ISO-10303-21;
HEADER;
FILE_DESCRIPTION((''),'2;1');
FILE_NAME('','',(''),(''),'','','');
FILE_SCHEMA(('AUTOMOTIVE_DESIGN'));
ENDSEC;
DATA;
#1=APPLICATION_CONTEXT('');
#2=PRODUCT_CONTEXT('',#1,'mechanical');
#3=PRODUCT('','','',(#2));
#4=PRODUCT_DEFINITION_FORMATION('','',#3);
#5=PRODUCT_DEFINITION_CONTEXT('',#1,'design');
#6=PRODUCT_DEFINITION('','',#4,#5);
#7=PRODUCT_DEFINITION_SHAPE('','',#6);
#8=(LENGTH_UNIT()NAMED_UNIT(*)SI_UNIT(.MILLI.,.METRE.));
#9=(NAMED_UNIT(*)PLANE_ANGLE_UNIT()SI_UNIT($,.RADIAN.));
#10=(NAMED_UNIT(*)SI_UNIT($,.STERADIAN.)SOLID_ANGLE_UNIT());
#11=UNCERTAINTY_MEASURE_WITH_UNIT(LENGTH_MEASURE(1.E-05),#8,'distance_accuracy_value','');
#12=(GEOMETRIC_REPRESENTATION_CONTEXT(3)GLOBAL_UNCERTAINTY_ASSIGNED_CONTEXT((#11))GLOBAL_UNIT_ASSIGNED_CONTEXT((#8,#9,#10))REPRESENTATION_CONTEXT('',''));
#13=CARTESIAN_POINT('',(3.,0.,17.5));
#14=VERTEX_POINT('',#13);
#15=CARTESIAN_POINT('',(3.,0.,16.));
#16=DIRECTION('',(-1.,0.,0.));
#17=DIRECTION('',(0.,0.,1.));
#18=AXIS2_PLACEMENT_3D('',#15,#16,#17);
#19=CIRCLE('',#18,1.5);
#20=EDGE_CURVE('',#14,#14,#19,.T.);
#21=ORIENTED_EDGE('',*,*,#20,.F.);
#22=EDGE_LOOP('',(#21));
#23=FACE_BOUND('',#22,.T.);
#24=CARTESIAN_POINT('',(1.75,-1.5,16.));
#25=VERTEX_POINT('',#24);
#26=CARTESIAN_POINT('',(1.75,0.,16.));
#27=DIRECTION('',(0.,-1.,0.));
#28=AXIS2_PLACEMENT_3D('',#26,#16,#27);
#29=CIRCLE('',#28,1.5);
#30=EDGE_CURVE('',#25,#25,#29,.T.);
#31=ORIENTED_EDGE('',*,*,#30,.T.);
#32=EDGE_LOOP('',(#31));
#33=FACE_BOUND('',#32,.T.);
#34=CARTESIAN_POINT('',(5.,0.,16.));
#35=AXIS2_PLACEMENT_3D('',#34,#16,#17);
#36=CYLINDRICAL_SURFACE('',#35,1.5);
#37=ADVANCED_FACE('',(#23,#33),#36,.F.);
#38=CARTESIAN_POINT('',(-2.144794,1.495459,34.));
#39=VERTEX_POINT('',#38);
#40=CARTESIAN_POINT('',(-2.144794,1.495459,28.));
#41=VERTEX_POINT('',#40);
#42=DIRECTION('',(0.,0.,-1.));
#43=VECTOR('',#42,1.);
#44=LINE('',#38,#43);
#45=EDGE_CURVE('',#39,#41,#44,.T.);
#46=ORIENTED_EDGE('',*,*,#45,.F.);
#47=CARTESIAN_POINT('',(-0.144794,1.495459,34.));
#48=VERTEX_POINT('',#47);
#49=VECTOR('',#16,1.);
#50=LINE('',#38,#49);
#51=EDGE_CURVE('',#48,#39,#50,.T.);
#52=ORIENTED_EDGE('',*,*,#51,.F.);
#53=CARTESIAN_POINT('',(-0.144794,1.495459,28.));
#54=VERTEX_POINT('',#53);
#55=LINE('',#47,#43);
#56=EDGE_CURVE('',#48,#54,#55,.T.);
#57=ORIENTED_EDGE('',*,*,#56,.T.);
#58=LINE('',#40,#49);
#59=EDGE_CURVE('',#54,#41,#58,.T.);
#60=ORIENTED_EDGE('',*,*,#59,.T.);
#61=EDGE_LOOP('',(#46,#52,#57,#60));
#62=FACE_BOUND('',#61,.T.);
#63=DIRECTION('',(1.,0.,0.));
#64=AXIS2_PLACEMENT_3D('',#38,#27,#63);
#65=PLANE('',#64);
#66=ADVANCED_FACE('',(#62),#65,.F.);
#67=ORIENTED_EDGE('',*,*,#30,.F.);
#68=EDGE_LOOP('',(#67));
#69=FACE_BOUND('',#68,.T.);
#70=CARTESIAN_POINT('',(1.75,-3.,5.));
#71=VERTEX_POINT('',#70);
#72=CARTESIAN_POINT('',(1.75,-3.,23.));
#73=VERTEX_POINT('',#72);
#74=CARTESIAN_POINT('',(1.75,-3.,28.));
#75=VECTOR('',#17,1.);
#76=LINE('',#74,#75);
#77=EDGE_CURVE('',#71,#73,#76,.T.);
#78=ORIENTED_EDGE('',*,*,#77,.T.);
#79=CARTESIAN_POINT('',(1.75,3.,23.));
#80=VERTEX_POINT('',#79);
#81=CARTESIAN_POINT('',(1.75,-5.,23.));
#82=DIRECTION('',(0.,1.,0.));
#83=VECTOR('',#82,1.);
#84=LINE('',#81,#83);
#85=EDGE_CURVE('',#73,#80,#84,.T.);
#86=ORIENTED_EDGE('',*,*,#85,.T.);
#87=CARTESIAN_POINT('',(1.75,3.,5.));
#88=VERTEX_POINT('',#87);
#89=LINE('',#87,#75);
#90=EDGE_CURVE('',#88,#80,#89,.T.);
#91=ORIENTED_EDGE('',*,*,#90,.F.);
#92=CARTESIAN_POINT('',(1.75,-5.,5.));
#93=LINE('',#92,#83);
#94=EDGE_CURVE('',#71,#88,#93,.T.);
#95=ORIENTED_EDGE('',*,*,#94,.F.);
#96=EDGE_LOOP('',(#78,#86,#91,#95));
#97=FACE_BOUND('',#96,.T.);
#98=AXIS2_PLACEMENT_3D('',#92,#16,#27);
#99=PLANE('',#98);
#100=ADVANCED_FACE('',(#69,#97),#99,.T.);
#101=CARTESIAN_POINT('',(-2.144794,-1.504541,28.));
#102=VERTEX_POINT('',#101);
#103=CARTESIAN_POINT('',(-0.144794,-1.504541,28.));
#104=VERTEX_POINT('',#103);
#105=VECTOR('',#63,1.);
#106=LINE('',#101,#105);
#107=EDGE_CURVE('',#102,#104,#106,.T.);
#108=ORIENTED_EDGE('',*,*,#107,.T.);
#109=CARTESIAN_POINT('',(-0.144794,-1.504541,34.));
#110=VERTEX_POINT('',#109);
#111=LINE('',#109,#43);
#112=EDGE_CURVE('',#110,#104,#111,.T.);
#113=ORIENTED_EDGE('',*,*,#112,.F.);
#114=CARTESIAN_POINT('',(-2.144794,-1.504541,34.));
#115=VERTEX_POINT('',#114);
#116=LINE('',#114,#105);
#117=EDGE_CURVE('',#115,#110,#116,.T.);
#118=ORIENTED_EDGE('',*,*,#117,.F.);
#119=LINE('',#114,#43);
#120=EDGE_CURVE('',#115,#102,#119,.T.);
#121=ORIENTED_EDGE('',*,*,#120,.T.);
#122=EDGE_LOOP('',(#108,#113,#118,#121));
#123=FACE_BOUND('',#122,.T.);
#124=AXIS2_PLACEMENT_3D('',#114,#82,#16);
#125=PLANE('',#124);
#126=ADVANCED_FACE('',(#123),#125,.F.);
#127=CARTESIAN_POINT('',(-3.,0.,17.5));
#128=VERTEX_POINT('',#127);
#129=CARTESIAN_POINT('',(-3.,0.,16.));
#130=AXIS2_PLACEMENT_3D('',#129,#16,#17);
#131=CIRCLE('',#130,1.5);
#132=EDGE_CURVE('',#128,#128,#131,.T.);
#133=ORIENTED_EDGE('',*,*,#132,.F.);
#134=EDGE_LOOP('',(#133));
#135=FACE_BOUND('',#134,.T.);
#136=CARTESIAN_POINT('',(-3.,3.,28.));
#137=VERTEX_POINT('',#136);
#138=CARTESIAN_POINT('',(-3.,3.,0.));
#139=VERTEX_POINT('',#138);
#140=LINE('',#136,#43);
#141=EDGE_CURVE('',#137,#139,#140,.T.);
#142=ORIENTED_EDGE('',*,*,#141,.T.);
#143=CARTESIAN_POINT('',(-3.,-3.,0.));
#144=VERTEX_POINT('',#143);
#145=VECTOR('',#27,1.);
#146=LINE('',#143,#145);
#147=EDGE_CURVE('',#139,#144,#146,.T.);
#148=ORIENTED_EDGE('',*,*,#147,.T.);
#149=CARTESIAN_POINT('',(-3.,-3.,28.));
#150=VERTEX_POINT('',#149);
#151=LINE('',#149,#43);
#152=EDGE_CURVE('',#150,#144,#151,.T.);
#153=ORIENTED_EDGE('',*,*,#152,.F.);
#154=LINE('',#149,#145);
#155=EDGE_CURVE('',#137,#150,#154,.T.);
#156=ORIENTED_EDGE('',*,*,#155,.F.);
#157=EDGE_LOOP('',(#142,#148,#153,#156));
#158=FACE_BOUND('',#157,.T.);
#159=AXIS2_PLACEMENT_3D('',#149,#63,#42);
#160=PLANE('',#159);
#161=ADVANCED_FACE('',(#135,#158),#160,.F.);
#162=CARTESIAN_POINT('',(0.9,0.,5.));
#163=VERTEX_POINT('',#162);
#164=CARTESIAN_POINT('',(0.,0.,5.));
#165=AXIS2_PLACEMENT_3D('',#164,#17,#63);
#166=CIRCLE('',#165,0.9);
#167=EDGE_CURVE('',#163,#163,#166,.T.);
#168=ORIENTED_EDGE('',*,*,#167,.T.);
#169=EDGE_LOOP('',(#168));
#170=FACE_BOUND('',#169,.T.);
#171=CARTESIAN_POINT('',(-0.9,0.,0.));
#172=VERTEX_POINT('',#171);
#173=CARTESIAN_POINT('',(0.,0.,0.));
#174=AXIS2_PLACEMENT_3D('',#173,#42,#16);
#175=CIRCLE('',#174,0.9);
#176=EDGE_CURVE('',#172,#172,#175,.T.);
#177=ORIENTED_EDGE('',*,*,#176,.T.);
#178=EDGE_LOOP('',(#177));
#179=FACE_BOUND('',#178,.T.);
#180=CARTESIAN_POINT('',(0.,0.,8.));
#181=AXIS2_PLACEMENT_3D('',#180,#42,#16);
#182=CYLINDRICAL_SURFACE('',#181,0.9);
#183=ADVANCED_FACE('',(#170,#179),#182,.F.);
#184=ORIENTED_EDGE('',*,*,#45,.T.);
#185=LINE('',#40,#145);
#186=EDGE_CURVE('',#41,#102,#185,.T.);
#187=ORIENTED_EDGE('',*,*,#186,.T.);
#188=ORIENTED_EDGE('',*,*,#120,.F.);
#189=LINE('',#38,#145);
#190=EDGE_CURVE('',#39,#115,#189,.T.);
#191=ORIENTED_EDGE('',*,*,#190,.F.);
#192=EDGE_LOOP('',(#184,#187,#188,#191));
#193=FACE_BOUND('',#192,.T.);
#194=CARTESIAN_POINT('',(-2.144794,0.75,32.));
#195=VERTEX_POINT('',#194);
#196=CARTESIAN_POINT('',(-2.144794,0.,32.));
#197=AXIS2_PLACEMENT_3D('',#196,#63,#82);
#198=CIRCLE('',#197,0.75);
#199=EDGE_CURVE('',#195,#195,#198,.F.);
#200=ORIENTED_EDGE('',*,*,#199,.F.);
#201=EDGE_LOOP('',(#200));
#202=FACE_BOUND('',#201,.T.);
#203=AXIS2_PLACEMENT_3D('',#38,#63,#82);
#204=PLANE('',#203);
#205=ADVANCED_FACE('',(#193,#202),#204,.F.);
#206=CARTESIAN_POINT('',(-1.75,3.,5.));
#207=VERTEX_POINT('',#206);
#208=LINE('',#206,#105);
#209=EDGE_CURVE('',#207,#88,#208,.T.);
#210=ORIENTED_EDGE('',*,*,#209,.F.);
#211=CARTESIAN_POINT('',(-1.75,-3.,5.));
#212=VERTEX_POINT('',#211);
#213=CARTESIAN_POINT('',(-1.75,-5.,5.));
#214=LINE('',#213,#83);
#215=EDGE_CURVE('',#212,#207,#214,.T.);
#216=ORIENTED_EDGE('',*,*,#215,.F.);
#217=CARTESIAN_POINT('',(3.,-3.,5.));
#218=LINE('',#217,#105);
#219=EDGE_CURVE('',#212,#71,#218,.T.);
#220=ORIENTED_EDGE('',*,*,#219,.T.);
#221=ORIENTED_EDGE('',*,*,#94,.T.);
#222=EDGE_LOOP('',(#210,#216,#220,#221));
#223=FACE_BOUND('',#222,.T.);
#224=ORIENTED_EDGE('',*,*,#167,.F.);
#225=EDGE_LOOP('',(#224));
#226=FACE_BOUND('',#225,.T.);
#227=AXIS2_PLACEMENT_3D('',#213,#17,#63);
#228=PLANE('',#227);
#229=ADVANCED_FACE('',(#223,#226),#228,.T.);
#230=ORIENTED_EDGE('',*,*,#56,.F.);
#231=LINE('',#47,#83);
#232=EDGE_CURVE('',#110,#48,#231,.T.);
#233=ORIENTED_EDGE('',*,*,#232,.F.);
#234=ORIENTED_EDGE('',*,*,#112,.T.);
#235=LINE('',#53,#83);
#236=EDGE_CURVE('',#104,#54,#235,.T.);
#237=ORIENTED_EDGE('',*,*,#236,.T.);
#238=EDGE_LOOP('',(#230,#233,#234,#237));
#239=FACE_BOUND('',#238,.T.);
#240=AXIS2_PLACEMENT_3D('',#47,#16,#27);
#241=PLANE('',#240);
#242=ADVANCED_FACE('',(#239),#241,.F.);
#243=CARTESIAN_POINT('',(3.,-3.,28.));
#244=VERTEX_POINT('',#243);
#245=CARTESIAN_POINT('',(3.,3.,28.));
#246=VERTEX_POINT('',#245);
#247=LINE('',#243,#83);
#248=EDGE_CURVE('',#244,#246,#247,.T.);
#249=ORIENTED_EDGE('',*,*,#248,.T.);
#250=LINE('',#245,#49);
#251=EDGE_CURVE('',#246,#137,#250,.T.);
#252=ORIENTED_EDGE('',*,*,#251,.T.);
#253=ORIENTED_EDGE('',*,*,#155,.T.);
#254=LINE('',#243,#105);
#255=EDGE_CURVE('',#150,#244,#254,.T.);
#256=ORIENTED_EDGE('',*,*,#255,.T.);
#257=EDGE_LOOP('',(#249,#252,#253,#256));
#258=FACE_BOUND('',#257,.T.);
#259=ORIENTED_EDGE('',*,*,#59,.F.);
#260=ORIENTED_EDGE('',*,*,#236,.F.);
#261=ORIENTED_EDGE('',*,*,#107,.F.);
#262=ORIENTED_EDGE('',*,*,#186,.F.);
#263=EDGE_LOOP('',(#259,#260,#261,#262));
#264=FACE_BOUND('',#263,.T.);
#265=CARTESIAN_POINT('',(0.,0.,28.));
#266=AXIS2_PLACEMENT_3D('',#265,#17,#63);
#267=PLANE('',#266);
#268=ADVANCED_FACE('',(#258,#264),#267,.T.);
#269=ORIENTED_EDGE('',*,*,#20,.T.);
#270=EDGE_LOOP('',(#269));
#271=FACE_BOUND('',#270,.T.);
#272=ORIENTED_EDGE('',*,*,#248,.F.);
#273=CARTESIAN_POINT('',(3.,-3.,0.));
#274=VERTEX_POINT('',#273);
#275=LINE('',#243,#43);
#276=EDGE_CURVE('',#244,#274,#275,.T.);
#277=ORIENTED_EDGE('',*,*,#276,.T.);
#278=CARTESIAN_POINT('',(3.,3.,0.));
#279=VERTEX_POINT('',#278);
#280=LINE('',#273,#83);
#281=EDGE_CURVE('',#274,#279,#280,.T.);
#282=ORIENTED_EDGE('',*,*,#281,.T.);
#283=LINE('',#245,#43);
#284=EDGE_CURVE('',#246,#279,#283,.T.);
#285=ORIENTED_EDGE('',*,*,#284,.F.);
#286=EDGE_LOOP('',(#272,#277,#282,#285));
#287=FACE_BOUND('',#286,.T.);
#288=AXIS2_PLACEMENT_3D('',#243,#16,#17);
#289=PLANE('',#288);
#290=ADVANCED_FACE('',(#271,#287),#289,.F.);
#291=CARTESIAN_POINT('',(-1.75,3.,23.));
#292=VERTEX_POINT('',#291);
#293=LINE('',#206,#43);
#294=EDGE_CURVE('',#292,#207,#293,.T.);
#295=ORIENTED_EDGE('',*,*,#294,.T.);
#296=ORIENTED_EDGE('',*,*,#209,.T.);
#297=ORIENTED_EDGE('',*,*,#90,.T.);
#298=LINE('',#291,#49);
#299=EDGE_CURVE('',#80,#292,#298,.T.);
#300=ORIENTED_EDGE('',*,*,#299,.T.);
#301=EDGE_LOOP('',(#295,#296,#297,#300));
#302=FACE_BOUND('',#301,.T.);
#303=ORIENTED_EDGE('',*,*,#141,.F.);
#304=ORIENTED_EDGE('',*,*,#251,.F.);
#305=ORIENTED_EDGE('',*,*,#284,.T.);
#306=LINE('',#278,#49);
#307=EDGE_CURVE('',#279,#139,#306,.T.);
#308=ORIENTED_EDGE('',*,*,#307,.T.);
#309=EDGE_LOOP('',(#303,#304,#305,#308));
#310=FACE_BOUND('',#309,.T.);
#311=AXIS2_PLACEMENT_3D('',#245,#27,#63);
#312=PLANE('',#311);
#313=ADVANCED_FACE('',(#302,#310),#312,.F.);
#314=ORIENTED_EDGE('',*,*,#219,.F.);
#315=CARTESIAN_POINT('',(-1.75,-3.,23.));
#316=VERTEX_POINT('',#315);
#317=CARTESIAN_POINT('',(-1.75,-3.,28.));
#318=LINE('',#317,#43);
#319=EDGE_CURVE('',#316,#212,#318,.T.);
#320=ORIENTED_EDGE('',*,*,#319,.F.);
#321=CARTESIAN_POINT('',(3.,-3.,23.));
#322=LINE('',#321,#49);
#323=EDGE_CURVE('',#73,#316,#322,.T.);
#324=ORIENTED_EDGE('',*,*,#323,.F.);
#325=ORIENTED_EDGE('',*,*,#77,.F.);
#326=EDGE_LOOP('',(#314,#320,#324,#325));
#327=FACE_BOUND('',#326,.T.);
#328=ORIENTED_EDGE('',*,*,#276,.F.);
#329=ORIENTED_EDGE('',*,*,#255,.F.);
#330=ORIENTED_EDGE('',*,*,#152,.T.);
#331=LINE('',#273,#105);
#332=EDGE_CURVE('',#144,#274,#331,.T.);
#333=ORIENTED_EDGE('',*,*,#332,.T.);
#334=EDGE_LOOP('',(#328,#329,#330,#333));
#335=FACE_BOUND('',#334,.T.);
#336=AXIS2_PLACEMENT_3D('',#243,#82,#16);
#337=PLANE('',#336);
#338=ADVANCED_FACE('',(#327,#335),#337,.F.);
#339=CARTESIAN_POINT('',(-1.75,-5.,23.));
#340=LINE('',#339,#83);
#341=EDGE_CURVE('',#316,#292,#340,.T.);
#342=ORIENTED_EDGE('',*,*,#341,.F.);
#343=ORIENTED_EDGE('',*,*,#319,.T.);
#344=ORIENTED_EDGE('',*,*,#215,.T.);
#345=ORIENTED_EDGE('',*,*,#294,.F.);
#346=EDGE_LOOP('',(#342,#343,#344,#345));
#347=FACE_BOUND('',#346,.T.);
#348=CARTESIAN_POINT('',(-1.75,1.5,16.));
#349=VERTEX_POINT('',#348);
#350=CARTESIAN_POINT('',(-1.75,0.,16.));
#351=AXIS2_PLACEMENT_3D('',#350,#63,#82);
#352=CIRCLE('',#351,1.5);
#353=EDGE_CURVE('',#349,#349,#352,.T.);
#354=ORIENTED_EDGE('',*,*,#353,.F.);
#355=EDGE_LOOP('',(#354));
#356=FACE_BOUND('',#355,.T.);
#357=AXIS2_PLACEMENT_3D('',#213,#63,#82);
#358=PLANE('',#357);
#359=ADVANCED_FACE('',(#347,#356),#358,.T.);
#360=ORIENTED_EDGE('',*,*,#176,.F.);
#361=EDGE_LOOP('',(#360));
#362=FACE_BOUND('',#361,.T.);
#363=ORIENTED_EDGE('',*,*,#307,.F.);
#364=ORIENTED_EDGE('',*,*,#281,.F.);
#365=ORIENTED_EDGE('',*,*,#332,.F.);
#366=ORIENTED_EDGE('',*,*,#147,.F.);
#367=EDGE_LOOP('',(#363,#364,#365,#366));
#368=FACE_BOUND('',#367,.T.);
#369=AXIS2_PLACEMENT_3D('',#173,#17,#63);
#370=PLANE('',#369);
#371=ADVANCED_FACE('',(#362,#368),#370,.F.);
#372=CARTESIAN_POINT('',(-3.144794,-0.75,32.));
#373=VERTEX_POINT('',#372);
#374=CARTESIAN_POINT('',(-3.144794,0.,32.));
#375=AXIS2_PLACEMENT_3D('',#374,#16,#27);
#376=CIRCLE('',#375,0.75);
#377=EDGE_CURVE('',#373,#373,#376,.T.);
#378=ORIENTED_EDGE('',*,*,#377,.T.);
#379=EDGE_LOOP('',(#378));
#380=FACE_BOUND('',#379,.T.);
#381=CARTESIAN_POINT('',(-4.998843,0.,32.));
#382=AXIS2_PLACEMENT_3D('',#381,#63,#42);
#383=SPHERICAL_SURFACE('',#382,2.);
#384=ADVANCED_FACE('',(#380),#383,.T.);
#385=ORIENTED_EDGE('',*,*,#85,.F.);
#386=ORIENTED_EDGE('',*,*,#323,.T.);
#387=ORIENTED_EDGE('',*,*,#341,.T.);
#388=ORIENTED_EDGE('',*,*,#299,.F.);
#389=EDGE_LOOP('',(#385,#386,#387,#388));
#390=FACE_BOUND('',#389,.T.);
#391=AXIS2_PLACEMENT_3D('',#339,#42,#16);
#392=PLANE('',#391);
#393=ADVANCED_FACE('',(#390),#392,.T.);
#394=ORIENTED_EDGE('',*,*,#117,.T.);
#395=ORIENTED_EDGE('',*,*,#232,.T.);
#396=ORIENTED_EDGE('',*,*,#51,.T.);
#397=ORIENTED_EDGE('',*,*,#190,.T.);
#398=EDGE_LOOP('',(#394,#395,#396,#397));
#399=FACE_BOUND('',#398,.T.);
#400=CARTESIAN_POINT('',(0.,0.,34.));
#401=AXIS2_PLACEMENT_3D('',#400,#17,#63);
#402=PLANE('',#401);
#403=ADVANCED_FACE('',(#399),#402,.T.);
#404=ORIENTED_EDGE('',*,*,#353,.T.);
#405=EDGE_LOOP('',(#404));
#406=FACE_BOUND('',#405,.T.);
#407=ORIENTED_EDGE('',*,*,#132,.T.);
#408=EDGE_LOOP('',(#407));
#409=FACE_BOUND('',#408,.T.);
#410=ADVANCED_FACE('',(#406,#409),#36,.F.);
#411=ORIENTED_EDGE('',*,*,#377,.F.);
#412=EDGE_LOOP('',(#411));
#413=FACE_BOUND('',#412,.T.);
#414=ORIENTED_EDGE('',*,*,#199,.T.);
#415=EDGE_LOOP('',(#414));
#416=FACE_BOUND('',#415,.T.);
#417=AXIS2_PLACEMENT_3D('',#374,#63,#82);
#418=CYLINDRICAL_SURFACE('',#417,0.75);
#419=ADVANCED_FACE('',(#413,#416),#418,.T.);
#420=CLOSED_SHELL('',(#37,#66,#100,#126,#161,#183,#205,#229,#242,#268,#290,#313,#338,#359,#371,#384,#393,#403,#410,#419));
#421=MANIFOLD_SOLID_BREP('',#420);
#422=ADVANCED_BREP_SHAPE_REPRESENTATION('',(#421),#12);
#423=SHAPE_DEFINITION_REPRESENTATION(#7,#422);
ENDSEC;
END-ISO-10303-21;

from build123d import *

# Parameters (mm, degrees)
SKETCH_1_W          = 6
SKETCH_1_H          = 6
EXTRUDE_1_DEPTH     = 28
SKETCH_2_W          = 2
SKETCH_2_H          = 3
EXTRUDE_2_DEPTH     = 6
SKETCH_3_R          = 0.75
EXTRUDE_3_DEPTH     = 1
SKETCH_5_W          = 18
SKETCH_5_H          = 3.5
CUT_EXTRUDE_1_DEPTH = 8
SKETCH_6_R          = 1.5
CUT_EXTRUDE_2_DEPTH = 8
SKETCH_7_R          = 0.9
CUT_EXTRUDE_3_DEPTH = 8


with BuildPart() as part:
    # 草图1 → 凸台-拉伸1 (new body)
    with BuildSketch(Plane.XY):
        Rectangle(SKETCH_1_W, SKETCH_1_H)
    extrude(amount=EXTRUDE_1_DEPTH)

    # 草图2 → 凸台-拉伸2 (add)
    with BuildSketch(Plane.XY.offset(28)):
        with Locations((-1.14479355, -0.004540815)):
            Rectangle(SKETCH_2_W, SKETCH_2_H)
    extrude(amount=EXTRUDE_2_DEPTH)

    # 草图3 → 凸台-拉伸3 (add)
    with BuildSketch(Plane.ZY.offset(2.14479355)):
        with Locations(Location((32, 0, 0), (0, 0, 90))):
            Circle(SKETCH_3_R)
    extrude(amount=EXTRUDE_3_DEPTH)

    # 草图4 → 旋转1 (revolve)
    with BuildSketch(Plane(origin=(0, 0, 0), x_dir=(1, 0, 0), z_dir=(0, 1, 0))):
        with BuildLine():
            Line((-3.14479355, -32), (-6.998843172, -32))
            ThreePointArc((-6.998843172, -32), (-5.380877697, -30.036826645), (-3.14479355, -31.25))
            Line((-3.14479355, -31.25), (-3.14479355, -32))
        make_face()
    revolve(axis=Axis((-3.14479355, 0, 32), (-1, 0, 0)))

    # 草图5 → 切除-拉伸1 (cut)
    with BuildSketch(Plane(origin=(0.5, 3, 0), x_dir=(0, 0, 1), z_dir=(0, -1, 0))):
        with Locations((14, 0.5)):
            Rectangle(SKETCH_5_W, SKETCH_5_H)
    extrude(amount=CUT_EXTRUDE_1_DEPTH, mode=Mode.SUBTRACT)

    # 草图6 → 切除-拉伸2 (cut)
    with BuildSketch(Plane.ZY.offset(3)):
        with Locations((16, 0)):
            Circle(SKETCH_6_R)
    extrude(amount=-CUT_EXTRUDE_2_DEPTH, mode=Mode.SUBTRACT)

    # 草图7 → 切除-拉伸3 (cut)
    with BuildSketch(Plane(origin=(0, 0, 0), x_dir=(-1, 0, 0), z_dir=(0, 0, -1))):
        Circle(SKETCH_7_R)
    extrude(amount=-CUT_EXTRUDE_3_DEPTH, mode=Mode.SUBTRACT)


solid = part.part
